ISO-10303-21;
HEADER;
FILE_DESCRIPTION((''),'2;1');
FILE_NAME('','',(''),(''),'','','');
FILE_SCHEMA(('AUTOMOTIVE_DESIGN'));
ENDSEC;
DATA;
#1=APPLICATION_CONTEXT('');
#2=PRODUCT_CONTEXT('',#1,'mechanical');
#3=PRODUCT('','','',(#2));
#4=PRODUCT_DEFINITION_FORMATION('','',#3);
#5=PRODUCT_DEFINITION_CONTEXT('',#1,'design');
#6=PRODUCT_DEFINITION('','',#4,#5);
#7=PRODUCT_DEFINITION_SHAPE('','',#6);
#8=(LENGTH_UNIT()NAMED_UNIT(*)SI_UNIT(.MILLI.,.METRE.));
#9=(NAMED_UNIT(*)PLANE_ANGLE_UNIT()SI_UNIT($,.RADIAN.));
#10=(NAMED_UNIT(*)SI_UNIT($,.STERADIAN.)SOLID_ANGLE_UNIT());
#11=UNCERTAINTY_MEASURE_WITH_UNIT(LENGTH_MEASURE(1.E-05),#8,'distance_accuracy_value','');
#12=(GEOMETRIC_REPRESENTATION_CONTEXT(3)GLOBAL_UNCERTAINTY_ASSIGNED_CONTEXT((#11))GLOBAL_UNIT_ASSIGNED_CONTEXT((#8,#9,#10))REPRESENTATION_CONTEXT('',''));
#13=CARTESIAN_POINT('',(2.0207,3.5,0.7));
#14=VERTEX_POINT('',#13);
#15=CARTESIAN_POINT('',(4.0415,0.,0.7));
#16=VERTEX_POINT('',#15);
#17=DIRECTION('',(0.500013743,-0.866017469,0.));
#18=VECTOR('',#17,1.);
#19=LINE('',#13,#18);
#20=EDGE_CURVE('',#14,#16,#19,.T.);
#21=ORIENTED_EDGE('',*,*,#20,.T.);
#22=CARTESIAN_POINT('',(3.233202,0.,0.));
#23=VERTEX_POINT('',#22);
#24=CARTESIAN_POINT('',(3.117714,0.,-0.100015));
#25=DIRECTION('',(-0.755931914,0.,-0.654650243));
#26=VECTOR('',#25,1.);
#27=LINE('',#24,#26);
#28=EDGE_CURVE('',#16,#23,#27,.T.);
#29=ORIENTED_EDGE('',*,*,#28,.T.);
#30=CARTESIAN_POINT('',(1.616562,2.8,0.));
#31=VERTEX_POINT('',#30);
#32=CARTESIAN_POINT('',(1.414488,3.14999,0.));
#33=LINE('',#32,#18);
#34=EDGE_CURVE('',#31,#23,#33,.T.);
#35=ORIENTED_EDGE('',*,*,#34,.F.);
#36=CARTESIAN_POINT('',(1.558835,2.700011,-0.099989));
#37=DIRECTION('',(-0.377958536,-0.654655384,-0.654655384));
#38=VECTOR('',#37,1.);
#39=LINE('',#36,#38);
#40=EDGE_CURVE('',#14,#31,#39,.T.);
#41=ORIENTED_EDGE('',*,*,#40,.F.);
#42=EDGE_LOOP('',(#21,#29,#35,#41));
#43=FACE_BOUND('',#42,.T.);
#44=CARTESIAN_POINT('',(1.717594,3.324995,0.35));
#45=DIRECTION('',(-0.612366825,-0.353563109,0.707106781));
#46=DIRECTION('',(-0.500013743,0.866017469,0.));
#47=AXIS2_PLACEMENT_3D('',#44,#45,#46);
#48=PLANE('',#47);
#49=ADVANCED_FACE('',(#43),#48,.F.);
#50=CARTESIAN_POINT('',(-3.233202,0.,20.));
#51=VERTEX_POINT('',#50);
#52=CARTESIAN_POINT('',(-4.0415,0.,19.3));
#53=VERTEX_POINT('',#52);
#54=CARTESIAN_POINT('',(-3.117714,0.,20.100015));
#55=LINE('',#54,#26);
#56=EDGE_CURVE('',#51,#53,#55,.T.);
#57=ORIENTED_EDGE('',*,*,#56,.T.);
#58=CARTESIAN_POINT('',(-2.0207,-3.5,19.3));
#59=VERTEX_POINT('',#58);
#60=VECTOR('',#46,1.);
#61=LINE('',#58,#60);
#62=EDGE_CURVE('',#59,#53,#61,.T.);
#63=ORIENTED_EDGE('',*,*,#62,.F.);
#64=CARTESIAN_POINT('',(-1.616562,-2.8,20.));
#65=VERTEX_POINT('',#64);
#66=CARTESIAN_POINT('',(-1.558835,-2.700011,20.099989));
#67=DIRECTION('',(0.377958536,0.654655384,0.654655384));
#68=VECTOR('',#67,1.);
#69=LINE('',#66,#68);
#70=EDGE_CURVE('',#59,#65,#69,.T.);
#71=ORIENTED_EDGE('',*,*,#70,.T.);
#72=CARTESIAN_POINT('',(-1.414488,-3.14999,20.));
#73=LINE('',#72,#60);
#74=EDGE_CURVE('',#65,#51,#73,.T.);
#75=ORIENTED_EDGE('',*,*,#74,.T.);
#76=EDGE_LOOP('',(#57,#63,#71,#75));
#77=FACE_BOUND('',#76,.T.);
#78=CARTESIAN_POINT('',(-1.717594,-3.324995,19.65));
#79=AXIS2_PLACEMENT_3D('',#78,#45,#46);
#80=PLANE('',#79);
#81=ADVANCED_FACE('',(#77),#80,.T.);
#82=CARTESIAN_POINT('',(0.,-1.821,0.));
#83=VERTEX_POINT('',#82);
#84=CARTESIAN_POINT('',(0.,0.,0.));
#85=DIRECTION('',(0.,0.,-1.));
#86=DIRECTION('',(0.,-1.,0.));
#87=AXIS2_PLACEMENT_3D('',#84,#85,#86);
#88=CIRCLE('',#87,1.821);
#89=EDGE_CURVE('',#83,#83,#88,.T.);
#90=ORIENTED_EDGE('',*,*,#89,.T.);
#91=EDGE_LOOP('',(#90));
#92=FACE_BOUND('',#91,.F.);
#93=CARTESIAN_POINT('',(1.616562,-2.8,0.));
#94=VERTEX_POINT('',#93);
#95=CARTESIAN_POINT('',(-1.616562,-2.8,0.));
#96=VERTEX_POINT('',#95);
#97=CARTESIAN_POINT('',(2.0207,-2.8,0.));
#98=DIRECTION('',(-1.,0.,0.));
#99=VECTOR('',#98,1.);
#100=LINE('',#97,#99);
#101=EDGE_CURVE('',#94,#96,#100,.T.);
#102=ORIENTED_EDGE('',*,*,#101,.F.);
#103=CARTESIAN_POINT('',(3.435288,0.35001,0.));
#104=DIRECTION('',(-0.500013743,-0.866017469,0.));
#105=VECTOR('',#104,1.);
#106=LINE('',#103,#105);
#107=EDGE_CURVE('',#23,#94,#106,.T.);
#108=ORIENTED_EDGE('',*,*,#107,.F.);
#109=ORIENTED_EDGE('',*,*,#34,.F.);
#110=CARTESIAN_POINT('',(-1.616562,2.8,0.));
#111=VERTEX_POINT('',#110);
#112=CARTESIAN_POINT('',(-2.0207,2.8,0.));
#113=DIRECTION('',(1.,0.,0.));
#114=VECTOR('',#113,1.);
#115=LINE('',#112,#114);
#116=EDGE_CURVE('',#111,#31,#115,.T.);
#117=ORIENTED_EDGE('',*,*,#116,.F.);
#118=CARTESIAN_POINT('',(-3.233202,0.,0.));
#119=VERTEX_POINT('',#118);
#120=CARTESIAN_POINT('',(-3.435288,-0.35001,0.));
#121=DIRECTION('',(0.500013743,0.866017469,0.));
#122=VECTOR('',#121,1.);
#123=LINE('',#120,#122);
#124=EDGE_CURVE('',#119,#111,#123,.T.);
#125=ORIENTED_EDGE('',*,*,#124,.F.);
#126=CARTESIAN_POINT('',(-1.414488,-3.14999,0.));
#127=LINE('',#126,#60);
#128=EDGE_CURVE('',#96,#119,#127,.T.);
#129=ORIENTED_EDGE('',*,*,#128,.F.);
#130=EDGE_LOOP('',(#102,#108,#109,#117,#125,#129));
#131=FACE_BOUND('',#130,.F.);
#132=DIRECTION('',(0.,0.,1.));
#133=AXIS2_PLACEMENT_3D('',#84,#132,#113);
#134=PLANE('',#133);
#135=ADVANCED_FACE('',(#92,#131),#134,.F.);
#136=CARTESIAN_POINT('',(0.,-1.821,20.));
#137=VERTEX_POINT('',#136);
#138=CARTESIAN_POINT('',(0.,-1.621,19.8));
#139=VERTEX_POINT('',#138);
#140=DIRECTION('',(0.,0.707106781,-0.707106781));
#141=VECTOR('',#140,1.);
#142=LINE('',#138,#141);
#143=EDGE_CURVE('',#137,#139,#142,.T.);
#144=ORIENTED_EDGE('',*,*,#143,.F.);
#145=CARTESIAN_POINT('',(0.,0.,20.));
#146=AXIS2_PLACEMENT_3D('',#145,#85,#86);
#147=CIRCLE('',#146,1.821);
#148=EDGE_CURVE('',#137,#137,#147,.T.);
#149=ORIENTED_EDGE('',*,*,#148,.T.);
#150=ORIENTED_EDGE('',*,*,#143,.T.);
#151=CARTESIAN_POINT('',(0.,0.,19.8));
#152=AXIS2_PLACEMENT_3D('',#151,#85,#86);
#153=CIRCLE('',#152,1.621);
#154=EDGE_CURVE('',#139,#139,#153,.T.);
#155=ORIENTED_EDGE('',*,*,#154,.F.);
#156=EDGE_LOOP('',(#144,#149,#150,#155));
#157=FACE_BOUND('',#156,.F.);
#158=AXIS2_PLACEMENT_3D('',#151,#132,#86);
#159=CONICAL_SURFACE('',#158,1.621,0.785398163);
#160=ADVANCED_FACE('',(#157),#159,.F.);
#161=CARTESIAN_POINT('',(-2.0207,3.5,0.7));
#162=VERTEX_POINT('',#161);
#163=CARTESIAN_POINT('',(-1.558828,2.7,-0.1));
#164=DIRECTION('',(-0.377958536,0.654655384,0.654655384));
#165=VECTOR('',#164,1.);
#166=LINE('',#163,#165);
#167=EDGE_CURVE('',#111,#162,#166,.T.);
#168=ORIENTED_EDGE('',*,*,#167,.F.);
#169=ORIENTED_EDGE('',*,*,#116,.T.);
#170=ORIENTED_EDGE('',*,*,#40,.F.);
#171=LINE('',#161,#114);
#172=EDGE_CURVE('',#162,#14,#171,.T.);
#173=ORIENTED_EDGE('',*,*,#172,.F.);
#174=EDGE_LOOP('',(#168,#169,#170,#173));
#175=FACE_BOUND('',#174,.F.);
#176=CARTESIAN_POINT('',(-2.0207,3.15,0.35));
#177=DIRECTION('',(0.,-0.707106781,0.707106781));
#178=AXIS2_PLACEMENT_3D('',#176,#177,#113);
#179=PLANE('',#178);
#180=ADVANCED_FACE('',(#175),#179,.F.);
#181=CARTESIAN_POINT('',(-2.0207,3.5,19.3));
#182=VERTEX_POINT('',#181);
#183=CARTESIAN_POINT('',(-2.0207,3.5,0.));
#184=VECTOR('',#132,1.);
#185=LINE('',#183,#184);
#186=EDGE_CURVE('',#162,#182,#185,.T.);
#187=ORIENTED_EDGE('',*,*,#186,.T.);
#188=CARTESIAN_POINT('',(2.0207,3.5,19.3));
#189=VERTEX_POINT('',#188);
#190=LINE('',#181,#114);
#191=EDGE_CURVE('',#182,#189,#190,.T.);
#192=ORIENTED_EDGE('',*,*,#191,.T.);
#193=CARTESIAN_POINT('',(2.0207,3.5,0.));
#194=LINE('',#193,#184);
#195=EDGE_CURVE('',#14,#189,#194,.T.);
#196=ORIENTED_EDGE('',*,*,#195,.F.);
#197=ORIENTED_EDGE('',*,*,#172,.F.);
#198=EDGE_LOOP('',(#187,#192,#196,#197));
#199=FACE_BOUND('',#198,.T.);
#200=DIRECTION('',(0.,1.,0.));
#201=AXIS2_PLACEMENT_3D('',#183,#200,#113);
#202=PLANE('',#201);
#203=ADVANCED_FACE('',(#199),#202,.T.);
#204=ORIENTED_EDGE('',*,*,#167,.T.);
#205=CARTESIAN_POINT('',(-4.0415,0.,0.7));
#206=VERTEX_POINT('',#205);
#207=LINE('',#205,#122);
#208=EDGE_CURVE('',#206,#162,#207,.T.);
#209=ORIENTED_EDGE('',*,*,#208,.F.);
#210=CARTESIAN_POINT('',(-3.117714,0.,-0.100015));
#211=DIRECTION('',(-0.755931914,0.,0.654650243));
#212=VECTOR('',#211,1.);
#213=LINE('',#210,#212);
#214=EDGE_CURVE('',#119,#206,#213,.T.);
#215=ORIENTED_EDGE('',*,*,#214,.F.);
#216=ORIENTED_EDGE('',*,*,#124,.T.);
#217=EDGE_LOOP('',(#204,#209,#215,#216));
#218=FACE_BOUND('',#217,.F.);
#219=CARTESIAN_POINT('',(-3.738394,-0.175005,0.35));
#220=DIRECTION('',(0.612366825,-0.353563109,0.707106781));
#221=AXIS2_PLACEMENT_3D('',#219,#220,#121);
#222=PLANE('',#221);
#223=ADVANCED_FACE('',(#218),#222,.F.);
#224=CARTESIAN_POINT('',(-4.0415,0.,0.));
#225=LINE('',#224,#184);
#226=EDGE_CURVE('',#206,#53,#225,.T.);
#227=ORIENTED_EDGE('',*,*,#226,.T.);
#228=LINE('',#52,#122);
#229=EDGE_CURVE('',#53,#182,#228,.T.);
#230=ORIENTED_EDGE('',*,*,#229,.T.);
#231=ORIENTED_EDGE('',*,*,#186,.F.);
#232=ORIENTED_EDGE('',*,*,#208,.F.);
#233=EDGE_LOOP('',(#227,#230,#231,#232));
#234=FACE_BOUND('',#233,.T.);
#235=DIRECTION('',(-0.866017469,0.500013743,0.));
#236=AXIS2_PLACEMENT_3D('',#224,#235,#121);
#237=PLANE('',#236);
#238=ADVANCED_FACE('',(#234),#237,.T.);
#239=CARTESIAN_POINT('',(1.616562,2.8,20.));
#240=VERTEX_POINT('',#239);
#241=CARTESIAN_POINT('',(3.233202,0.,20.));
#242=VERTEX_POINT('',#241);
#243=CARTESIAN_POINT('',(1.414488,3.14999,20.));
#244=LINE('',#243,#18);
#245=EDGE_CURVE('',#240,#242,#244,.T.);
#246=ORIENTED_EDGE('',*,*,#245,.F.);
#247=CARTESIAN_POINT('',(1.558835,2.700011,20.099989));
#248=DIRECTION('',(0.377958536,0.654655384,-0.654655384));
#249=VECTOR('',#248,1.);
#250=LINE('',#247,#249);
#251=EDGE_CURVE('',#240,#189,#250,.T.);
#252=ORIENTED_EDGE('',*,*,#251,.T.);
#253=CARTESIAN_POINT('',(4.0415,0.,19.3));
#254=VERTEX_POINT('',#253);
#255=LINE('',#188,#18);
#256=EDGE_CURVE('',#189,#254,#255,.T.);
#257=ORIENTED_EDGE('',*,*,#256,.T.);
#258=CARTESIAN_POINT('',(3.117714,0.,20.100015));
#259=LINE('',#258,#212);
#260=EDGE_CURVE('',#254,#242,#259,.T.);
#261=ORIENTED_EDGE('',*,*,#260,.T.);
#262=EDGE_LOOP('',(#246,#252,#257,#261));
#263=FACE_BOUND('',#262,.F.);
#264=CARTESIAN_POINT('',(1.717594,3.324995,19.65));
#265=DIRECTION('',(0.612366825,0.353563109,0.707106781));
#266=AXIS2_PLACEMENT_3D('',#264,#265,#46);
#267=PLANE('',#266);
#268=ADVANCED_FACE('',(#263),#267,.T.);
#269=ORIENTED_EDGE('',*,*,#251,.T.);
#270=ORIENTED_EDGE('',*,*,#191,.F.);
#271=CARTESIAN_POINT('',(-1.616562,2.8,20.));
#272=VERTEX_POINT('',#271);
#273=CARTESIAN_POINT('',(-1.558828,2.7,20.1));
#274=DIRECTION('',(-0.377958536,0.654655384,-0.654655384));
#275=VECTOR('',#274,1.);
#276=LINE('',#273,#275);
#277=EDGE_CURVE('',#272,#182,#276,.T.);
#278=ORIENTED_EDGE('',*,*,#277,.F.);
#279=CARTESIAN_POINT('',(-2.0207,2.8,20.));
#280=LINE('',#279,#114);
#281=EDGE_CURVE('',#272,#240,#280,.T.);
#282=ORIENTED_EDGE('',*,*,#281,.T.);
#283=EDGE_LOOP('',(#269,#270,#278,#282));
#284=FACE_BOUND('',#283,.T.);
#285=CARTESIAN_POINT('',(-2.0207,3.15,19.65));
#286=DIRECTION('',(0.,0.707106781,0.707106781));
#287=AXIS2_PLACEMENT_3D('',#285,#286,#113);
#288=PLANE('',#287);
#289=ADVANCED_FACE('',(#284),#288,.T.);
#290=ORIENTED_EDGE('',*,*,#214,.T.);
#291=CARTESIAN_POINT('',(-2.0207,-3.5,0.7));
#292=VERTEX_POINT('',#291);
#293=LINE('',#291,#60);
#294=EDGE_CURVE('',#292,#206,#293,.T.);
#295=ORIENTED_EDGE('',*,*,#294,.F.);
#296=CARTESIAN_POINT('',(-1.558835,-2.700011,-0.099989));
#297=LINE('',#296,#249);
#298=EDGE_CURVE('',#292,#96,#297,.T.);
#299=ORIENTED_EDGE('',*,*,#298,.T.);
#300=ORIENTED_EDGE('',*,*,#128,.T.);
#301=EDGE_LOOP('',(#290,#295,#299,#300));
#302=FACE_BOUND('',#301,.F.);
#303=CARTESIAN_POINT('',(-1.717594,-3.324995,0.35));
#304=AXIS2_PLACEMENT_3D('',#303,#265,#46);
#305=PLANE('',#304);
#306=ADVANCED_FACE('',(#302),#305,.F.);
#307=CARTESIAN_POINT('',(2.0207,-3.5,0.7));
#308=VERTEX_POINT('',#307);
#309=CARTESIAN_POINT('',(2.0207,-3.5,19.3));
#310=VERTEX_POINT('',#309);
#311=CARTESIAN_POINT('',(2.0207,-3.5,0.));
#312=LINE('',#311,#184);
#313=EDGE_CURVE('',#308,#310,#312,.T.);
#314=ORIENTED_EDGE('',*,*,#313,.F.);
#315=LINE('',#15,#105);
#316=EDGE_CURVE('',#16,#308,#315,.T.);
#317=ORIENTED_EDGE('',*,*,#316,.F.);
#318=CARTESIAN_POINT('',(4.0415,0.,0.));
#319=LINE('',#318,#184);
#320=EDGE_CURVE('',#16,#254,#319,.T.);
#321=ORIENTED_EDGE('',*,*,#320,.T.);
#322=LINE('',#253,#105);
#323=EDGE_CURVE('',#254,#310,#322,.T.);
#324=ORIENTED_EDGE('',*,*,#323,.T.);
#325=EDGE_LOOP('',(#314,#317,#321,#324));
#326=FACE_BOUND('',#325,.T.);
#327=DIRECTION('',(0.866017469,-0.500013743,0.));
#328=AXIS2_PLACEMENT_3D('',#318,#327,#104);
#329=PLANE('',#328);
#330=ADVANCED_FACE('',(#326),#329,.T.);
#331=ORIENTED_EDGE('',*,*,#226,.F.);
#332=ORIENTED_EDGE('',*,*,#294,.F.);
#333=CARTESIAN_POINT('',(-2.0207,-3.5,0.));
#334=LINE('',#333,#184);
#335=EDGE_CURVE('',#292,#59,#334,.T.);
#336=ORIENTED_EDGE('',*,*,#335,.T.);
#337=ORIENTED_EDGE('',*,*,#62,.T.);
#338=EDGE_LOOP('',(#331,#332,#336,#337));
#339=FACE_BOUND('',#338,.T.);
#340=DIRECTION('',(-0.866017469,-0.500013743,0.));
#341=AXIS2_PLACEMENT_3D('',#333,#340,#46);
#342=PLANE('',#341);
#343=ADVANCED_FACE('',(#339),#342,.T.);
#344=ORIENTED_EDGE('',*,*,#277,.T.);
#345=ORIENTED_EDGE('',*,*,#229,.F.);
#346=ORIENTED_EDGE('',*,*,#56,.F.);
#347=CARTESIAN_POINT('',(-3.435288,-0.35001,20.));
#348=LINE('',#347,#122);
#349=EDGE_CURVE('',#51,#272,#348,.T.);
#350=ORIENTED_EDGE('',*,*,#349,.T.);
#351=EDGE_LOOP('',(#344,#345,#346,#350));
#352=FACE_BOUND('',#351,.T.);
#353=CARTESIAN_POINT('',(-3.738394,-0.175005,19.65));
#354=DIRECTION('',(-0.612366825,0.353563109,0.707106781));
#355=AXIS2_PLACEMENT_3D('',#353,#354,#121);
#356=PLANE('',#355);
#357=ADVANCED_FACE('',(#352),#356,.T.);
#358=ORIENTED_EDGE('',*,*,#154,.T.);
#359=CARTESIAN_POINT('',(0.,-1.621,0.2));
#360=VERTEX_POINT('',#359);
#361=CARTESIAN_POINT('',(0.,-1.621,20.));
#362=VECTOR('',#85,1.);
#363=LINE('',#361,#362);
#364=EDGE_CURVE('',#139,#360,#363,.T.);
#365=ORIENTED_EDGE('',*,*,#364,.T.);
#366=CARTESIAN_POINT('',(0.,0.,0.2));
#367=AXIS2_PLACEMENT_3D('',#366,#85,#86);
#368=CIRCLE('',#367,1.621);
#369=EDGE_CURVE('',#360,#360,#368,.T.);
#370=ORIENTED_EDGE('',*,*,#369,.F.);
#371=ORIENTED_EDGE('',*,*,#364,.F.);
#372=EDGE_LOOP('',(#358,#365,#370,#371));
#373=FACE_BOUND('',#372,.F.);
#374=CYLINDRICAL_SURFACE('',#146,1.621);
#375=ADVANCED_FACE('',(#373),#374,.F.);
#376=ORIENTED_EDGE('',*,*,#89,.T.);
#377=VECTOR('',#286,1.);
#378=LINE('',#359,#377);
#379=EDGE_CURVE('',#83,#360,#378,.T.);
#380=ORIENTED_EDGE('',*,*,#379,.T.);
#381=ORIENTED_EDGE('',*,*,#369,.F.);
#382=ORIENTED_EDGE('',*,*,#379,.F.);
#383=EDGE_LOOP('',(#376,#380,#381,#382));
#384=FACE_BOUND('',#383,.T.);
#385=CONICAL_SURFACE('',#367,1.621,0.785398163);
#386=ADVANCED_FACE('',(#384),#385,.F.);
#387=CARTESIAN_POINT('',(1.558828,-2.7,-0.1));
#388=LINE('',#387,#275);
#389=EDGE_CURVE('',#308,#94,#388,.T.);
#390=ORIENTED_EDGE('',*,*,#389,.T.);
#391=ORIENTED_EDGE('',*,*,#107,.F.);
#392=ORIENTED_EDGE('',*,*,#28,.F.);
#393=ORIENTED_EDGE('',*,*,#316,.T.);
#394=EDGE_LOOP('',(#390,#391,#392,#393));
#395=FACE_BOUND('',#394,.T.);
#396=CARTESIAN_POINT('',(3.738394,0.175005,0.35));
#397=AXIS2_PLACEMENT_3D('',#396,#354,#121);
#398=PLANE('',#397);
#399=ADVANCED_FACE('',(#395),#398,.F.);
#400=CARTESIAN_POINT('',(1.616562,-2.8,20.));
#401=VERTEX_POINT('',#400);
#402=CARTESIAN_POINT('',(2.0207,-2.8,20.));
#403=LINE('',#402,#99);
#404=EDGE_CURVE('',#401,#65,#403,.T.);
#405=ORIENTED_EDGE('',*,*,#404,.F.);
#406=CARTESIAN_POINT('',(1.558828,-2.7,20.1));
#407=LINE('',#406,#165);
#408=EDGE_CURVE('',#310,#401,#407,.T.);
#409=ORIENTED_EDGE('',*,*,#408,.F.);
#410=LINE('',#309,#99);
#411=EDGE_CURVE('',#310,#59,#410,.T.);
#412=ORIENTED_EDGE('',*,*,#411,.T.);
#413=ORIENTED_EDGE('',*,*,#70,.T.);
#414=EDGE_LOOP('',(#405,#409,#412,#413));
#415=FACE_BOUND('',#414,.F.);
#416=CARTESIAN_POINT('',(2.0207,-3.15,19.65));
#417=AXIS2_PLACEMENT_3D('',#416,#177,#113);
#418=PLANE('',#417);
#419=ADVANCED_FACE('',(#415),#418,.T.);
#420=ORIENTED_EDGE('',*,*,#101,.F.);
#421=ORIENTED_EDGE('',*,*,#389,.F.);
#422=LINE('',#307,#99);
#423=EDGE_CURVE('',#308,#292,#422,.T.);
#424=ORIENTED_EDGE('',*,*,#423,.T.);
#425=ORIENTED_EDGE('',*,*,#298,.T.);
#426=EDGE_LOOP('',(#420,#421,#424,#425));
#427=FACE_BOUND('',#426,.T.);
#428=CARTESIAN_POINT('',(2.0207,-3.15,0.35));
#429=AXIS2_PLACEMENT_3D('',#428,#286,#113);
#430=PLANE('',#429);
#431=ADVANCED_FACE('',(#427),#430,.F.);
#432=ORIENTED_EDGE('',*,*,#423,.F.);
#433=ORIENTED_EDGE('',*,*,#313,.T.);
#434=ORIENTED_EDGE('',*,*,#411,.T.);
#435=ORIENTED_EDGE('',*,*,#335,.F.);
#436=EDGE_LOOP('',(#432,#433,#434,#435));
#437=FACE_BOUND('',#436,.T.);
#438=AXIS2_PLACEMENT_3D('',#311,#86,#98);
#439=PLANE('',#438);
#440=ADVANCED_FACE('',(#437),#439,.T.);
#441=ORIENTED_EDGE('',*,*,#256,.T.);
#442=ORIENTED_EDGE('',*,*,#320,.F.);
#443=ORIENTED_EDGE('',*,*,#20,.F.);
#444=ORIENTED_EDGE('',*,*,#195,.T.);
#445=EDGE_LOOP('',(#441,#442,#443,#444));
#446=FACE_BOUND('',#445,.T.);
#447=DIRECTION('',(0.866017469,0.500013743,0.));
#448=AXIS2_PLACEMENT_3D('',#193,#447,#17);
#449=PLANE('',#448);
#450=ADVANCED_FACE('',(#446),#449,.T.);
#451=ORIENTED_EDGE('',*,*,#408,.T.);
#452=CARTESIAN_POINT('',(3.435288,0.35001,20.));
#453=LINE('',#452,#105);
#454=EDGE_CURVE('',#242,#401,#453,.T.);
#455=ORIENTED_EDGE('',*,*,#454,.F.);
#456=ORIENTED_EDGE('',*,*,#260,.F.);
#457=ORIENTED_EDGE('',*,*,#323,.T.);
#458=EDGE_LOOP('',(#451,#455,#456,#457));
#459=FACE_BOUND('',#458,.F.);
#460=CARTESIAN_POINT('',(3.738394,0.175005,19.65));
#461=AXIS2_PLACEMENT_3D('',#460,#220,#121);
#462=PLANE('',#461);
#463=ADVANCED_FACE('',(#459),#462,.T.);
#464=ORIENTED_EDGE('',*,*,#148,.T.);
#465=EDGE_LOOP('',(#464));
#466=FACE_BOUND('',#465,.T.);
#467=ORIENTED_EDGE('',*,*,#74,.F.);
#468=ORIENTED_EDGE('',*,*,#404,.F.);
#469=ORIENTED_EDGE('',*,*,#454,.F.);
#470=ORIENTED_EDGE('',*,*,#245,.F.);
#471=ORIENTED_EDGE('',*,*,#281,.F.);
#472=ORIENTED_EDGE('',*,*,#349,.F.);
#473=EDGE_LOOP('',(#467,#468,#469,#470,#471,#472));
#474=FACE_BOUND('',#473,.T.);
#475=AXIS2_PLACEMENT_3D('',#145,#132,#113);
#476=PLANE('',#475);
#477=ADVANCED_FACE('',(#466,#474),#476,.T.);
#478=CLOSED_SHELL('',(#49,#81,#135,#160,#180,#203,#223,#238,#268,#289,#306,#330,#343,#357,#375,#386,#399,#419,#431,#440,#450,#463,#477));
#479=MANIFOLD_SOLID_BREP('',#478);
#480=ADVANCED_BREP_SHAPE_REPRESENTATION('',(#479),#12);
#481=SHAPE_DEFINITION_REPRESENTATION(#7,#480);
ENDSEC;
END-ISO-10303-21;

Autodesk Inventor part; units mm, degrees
ref_plane "YZ Plane" through (0, 0, 0) normal (1, 0, 0) x (0, 1, 0)
ref_plane "XZ Plane" through (0, 0, 0) normal (0, 1, 0) x (-1, 0, 0)
ref_plane "XY Plane" through (0, 0, 0) normal (0, 0, 1) x (1, 0, 0)
sketch "Skizze1" plane through (0, 0, 0) normal (0, 0, 1) x (1, 0, 0)
  line L0 (4.0415, 0) -> (2.0207, -3.5)
  line L1 (2.0207, -3.5) -> (-2.0207, -3.5)
  line L2 (-2.0207, -3.5) -> (-4.0415, 0)
  line L3 (-4.0415, 0) -> (-2.0207, 3.5)
  line L4 (-2.0207, 3.5) -> (2.0207, 3.5)
  line L5 (2.0207, 3.5) -> (4.0415, 0)
  point P0 (0, 0)
  point P1 (0, 0)
  dimension "d0" = 7
extrude "Extrusion1" add sketch "Skizze1" along normal blind 20
sketch "Skizze2" plane through (0, 0, 20) normal (0, 0, 1) x (1, 0, 0)
  point P0 (0, 0)
hole "Bohrung1" at (0, 0, 20) direction (0, 0, -1) diameter 3.242 end through all thread size "M4x0.7" class "6H" standard "ISO Metric profile"
chamfer "Fase2" distance 0.7 angle 45 12 edges at (3.0311, -1.75, 20) (0, -3.5, 20) (-3.0311, -1.75, 20) (-3.0311, 1.75, 20) (0, 3.5, 20) (3.0311, 1.75, 20) (0, -3.5, 0) (3.0311, -1.75, 0) (3.0311, 1.75, 0) (0, 3.5, 0) (-3.0311, 1.75, 0) (-3.0311, -1.75, 0)
chamfer "Fase3" distance 0.2 angle 45 2 edges at (0, 1.621, 20) (0, 1.621, 0)
properties part number "Distanzhuelse_M4x20mm" material "Nickel-Kupfer-Legierung 400"
